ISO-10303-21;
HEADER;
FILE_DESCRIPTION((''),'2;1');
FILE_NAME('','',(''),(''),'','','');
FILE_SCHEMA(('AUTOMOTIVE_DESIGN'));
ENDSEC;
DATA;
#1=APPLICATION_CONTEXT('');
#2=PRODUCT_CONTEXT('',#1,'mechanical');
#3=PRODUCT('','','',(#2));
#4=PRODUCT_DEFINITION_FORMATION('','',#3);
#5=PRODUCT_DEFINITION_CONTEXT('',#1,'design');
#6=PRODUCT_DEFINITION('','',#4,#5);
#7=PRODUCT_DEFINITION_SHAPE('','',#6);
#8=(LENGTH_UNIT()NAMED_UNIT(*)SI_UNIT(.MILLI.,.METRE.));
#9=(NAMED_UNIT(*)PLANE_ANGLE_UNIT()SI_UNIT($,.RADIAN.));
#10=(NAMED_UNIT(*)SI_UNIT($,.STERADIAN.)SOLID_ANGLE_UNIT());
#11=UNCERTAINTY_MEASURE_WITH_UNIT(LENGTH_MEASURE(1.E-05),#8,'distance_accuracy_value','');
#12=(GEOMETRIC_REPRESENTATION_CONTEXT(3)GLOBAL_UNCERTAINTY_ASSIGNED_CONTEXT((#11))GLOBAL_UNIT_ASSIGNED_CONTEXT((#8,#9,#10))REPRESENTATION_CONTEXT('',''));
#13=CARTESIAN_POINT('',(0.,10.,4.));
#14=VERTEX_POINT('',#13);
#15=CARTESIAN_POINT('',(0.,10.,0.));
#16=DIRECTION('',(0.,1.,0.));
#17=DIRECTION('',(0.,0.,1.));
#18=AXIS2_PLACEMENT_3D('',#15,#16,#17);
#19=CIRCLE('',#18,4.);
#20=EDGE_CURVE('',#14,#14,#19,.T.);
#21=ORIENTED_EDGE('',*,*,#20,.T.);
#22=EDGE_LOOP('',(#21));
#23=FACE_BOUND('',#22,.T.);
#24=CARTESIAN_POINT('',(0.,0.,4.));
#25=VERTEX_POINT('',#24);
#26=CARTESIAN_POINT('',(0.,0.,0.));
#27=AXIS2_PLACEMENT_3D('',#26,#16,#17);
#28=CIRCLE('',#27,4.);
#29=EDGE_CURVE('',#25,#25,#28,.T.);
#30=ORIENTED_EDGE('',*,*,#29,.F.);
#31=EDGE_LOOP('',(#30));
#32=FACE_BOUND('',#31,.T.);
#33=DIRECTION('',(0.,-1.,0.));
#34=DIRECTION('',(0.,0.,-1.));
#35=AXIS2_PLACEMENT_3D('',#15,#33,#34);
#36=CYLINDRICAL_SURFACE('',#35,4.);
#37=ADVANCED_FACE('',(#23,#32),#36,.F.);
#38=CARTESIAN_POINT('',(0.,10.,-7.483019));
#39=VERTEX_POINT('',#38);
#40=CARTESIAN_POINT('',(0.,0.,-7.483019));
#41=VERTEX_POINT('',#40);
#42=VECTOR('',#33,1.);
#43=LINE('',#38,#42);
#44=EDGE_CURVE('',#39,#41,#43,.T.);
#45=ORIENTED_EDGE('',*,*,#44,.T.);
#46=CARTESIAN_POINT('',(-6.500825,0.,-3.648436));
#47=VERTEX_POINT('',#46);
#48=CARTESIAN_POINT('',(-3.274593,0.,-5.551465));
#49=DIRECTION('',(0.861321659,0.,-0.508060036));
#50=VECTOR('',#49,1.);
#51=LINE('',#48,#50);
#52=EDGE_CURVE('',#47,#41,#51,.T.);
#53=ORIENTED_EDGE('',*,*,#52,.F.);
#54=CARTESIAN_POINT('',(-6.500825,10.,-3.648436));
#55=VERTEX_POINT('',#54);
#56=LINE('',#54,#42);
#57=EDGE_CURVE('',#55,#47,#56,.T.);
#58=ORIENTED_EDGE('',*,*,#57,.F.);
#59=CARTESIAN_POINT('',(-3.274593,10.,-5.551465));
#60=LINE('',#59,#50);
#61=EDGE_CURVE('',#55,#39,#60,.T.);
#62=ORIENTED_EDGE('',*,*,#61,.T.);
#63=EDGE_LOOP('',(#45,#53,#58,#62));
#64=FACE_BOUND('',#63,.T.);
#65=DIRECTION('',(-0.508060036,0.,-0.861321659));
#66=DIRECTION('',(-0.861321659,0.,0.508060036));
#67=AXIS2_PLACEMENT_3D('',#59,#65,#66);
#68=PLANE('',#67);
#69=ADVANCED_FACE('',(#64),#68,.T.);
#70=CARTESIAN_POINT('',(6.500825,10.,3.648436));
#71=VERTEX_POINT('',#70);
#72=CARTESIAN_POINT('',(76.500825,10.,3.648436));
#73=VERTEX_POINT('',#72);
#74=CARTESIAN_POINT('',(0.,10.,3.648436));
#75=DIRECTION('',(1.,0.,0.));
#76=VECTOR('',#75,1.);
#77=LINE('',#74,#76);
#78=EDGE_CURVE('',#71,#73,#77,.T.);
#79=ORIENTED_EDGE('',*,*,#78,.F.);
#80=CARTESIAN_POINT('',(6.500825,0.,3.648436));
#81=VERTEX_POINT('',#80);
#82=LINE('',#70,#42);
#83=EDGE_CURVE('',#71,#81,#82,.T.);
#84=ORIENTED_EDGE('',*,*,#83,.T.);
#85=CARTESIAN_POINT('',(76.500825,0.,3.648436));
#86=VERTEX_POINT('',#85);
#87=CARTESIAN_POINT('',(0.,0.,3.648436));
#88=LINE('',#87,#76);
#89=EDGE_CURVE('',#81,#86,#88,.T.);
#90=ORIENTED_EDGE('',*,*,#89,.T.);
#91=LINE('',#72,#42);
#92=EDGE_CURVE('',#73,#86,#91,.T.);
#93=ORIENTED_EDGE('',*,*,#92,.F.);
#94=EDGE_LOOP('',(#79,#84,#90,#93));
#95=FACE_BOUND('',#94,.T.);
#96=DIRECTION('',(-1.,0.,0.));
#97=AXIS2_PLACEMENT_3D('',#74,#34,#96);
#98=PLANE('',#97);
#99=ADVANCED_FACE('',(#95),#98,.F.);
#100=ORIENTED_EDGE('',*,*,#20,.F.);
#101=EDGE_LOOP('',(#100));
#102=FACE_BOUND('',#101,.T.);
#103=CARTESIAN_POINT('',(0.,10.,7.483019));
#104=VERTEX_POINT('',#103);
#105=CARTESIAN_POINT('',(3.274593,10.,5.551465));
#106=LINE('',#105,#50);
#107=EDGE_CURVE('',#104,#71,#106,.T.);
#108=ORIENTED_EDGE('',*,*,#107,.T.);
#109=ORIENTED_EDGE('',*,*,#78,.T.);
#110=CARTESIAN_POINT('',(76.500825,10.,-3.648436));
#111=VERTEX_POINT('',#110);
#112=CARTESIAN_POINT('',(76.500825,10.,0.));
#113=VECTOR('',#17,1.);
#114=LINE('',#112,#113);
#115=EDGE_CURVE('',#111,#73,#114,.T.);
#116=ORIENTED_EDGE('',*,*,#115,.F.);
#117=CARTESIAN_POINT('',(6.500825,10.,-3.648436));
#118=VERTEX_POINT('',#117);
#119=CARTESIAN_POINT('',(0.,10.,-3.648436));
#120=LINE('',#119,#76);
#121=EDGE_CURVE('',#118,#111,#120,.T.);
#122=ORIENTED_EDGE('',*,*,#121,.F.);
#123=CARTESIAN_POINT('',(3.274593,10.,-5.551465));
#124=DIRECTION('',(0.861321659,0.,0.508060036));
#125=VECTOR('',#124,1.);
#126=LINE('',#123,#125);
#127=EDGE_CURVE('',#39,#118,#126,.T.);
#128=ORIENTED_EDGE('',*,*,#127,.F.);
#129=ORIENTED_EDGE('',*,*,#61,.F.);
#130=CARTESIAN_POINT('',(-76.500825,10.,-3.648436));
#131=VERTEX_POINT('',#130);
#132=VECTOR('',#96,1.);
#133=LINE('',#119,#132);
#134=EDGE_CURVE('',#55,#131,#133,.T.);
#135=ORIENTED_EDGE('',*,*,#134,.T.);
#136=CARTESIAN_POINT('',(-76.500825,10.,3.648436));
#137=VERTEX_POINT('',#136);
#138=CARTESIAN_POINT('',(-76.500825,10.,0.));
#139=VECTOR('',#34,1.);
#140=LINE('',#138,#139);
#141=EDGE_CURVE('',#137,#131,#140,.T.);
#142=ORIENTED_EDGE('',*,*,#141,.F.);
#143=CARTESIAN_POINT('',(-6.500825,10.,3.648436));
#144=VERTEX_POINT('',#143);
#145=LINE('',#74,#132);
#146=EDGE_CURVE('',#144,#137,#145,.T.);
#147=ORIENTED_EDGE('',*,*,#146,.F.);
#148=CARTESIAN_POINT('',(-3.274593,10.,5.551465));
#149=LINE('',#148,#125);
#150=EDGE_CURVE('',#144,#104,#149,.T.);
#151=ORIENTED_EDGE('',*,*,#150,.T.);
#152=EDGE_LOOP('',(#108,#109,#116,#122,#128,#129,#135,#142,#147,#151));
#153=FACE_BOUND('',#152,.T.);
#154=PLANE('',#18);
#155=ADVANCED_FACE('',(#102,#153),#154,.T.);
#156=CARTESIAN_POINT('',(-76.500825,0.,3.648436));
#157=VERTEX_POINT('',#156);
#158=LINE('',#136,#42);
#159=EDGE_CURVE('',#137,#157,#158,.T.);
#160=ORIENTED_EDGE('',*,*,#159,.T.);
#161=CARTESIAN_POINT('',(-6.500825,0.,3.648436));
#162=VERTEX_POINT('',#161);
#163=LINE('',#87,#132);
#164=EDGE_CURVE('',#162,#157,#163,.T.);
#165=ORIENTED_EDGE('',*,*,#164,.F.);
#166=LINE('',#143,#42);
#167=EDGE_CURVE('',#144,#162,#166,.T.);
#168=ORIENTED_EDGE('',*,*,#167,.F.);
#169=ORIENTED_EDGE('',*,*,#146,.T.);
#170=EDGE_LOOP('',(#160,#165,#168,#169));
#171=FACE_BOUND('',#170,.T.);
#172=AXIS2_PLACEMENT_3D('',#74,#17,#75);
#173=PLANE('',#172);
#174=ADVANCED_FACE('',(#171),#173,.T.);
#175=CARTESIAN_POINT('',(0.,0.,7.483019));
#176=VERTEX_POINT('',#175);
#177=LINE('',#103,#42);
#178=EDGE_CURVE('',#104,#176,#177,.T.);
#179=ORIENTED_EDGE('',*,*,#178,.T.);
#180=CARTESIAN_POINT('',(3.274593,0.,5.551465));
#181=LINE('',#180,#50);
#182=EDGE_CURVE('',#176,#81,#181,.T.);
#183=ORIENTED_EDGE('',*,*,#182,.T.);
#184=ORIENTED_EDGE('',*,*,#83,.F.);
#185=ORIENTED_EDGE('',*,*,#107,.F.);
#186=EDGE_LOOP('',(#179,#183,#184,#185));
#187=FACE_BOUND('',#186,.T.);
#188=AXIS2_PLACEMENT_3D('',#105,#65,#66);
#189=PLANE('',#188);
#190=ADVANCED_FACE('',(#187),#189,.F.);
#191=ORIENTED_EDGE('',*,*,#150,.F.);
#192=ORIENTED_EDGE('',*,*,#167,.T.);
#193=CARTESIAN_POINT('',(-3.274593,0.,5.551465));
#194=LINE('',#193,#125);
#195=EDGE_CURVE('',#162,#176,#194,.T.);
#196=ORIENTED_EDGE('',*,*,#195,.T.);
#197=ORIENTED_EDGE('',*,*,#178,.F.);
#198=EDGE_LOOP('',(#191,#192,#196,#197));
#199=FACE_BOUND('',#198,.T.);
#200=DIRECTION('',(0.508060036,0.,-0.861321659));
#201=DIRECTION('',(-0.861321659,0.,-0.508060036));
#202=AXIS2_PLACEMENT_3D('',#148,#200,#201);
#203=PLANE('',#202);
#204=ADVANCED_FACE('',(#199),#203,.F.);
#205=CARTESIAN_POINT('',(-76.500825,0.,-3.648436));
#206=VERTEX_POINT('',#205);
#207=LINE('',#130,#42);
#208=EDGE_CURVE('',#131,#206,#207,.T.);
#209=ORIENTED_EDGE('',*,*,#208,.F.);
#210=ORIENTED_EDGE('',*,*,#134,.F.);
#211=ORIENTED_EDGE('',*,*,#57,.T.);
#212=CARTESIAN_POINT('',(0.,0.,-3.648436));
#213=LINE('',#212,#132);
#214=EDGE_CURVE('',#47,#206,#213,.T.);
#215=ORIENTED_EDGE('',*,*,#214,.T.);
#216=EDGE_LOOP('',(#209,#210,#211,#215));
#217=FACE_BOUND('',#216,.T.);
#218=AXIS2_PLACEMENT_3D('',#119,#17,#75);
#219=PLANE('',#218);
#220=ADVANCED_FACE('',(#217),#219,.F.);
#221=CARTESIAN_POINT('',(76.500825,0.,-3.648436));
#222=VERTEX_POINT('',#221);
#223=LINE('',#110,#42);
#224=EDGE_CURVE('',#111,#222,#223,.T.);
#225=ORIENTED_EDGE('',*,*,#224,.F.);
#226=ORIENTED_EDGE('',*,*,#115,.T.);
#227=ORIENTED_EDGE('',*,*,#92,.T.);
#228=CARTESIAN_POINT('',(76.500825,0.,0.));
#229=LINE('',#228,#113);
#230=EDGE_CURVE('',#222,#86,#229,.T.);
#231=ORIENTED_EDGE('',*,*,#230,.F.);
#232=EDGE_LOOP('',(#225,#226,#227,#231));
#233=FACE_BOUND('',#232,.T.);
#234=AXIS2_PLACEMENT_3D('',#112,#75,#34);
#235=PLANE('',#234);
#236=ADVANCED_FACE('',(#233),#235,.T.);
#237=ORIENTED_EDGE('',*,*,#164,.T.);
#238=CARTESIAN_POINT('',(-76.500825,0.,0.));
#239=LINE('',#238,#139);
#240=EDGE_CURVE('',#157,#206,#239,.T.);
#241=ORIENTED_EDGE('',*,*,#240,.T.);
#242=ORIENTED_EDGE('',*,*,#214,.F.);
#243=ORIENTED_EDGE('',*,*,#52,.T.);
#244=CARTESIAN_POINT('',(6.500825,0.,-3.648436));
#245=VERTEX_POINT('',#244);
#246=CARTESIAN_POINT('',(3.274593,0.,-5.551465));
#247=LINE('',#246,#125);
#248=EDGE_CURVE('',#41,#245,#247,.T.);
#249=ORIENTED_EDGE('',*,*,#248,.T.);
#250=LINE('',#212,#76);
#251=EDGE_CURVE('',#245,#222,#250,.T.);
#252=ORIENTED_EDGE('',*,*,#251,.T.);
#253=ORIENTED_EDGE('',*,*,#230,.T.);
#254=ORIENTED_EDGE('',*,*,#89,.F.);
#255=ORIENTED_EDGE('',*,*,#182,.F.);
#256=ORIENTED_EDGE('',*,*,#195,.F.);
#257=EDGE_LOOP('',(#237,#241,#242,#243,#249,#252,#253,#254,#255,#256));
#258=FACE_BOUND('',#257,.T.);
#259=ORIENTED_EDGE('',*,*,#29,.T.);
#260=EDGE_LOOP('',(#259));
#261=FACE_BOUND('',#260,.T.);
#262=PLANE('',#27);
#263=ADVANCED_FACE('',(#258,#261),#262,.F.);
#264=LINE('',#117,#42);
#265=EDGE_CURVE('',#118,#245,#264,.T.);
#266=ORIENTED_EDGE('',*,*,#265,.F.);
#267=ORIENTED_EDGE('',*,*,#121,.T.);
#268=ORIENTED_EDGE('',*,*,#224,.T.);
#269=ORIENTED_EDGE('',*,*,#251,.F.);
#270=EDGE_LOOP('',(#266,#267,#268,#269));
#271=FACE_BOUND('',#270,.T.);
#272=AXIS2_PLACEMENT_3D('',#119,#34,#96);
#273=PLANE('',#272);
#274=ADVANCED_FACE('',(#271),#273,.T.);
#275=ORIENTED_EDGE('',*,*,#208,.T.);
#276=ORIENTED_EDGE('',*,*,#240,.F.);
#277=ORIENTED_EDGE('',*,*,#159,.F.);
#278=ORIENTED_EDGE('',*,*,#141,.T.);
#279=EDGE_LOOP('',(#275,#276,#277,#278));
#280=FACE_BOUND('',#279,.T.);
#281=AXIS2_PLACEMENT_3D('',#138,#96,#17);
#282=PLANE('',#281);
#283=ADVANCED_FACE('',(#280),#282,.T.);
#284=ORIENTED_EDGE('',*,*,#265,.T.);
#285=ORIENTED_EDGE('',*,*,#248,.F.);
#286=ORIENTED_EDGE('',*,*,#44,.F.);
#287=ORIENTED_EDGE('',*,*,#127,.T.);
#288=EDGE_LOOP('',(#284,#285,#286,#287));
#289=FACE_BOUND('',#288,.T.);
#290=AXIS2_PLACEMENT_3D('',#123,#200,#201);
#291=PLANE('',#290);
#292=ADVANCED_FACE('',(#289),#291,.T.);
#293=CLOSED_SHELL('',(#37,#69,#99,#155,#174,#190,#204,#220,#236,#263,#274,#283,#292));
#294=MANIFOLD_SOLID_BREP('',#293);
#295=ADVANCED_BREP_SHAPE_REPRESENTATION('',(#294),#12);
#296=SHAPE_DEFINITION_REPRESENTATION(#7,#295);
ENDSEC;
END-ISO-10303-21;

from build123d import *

# Parameters (mm, degrees)
SKETCH1_R           = 4
BOSS_EXTRUDE1_DEPTH = 10


with BuildPart() as part:
    # Sketch1 → Boss-Extrude1 (new body)
    with BuildSketch(Plane(origin=(0, 0, 0), x_dir=(1, 0, 0), z_dir=(0, 1, 0))):
        Polygon((0, 7.483019345), (6.500824903, 3.648436412), (76.500824903, 3.648436412), (76.500824903, -3.648436412), (6.500824903, -3.648436412), (0, -7.483019345), (-6.500824903, -3.648436412), (-76.500824903, -3.648436412), (-76.500824903, 3.648436412), (-6.500824903, 3.648436412), align=None)
        with Locations(Location((0, 0, 0), (0, 0, 270))):
            Circle(SKETCH1_R, mode=Mode.SUBTRACT)
    extrude(amount=BOSS_EXTRUDE1_DEPTH)


solid = part.part
